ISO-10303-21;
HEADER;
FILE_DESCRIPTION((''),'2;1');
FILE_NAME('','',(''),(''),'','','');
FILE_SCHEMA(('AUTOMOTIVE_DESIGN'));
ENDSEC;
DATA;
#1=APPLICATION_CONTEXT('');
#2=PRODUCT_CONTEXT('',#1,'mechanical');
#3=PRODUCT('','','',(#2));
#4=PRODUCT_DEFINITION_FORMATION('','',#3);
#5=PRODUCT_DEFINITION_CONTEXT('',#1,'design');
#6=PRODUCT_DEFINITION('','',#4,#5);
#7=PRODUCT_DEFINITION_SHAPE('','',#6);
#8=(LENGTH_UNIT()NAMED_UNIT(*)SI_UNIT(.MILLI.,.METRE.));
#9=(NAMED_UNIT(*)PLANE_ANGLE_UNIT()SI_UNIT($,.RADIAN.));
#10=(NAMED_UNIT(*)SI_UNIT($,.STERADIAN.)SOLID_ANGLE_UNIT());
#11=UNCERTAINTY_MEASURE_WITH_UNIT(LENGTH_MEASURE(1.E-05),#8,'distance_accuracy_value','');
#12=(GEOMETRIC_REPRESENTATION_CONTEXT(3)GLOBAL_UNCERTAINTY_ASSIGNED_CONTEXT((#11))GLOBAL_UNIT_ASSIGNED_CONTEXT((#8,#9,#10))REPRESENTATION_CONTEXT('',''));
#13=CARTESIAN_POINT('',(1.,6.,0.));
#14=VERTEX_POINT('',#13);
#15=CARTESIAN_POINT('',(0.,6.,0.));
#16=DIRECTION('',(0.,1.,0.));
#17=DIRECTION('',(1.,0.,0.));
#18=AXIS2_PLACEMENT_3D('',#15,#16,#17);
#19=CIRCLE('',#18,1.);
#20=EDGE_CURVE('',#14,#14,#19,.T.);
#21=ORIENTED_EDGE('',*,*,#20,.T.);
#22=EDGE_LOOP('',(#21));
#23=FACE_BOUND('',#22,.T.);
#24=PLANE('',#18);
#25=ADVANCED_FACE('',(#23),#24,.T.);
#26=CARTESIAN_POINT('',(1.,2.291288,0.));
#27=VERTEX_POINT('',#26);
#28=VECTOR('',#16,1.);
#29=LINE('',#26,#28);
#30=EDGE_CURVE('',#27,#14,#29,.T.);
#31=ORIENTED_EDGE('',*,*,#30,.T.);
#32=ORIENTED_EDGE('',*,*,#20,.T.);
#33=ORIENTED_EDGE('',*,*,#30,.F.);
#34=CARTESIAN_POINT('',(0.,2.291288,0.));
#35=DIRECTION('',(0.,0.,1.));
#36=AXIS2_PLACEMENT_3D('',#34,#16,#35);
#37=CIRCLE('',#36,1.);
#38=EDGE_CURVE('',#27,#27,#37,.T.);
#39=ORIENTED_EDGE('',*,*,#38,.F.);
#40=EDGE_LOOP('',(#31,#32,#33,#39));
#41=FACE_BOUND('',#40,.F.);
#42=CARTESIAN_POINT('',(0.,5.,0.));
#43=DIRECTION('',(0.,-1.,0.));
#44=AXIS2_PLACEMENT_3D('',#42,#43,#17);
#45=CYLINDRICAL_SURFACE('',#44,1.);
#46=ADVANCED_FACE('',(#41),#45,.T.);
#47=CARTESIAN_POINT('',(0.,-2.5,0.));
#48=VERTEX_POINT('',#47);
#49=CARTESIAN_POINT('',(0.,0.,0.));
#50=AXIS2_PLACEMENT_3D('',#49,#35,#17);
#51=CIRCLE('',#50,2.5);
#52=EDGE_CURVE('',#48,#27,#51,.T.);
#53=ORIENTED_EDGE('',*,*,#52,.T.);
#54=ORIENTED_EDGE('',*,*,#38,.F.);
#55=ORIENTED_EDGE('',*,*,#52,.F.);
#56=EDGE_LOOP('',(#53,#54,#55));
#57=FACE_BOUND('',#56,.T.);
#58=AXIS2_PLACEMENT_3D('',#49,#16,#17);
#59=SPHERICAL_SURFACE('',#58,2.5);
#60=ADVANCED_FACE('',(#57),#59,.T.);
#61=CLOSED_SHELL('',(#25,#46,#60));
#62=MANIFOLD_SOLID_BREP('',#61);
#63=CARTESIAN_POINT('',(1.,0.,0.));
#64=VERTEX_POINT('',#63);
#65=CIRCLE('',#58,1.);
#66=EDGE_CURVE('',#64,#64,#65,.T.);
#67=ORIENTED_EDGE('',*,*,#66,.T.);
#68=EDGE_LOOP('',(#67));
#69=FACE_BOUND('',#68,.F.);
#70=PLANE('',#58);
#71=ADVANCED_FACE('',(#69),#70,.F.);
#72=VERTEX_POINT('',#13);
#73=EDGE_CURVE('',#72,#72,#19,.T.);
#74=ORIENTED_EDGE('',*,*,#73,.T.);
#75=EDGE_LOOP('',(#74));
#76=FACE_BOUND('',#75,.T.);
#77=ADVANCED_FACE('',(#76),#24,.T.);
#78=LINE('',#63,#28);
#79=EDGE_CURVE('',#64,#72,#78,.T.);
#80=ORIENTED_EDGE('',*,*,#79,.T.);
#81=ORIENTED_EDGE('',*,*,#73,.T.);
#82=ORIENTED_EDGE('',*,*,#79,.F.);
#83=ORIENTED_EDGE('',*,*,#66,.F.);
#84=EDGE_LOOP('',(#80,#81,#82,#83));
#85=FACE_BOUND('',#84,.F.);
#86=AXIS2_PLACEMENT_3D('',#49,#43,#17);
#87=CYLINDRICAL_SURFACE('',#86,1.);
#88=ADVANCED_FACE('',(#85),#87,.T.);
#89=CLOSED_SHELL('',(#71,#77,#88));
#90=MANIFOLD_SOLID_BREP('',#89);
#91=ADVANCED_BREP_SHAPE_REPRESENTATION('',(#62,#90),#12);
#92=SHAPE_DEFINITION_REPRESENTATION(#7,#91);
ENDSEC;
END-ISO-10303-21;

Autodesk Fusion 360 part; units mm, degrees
sketch "Sketch1" plane through (0, 0, 0) normal (0, 1, 0) x (1, 0, 0)
  circle A0 centre (0, 0) radius 1
  dimension "d1" = 2
extrude "Extrude1" add sketch "Sketch1" along normal blind 6

Autodesk Fusion 360 part; units mm, degrees
sketch "Sketch1" plane through (0, 0, 0) normal (0, 1, 0) x (1, 0, 0)
  circle A0 centre (0, 0) radius 1
  dimension "d1" = 2
extrude "Extrude1" add sketch "Sketch1" along normal blind 5 makes body 1
sketch "Sketch2" plane through (0, 0, 0) normal (0, 1, 0) x (1, 0, 0)
  circle A0 centre (0, 0) radius 2.5
  dimension "d4" = 5
sphere "SpherePrimitive1" cut diameter 5.4 placed x (1, 0, 0) y (0, 0, -1) z (0, 1, 0) at (0, 0, 0) bodies 1
sphere "SpherePrimitive2" add diameter 5 placed x (1, 0, 0) y (0, 0, -1) z (0, 1, 0) at (0, 0, 0) separate body makes body 2
extrude "Extrude2" add 1 faces at (-0.3296, 5, -0.5031) along direction (0, -1, 0) blind 3 on bodies 1 bodies 1 2
extrude "Extrude3" add 1 faces at (-0.3296, 5, -0.5031) along direction (0, 1, 0) blind 1 on bodies 1 bodies 1
